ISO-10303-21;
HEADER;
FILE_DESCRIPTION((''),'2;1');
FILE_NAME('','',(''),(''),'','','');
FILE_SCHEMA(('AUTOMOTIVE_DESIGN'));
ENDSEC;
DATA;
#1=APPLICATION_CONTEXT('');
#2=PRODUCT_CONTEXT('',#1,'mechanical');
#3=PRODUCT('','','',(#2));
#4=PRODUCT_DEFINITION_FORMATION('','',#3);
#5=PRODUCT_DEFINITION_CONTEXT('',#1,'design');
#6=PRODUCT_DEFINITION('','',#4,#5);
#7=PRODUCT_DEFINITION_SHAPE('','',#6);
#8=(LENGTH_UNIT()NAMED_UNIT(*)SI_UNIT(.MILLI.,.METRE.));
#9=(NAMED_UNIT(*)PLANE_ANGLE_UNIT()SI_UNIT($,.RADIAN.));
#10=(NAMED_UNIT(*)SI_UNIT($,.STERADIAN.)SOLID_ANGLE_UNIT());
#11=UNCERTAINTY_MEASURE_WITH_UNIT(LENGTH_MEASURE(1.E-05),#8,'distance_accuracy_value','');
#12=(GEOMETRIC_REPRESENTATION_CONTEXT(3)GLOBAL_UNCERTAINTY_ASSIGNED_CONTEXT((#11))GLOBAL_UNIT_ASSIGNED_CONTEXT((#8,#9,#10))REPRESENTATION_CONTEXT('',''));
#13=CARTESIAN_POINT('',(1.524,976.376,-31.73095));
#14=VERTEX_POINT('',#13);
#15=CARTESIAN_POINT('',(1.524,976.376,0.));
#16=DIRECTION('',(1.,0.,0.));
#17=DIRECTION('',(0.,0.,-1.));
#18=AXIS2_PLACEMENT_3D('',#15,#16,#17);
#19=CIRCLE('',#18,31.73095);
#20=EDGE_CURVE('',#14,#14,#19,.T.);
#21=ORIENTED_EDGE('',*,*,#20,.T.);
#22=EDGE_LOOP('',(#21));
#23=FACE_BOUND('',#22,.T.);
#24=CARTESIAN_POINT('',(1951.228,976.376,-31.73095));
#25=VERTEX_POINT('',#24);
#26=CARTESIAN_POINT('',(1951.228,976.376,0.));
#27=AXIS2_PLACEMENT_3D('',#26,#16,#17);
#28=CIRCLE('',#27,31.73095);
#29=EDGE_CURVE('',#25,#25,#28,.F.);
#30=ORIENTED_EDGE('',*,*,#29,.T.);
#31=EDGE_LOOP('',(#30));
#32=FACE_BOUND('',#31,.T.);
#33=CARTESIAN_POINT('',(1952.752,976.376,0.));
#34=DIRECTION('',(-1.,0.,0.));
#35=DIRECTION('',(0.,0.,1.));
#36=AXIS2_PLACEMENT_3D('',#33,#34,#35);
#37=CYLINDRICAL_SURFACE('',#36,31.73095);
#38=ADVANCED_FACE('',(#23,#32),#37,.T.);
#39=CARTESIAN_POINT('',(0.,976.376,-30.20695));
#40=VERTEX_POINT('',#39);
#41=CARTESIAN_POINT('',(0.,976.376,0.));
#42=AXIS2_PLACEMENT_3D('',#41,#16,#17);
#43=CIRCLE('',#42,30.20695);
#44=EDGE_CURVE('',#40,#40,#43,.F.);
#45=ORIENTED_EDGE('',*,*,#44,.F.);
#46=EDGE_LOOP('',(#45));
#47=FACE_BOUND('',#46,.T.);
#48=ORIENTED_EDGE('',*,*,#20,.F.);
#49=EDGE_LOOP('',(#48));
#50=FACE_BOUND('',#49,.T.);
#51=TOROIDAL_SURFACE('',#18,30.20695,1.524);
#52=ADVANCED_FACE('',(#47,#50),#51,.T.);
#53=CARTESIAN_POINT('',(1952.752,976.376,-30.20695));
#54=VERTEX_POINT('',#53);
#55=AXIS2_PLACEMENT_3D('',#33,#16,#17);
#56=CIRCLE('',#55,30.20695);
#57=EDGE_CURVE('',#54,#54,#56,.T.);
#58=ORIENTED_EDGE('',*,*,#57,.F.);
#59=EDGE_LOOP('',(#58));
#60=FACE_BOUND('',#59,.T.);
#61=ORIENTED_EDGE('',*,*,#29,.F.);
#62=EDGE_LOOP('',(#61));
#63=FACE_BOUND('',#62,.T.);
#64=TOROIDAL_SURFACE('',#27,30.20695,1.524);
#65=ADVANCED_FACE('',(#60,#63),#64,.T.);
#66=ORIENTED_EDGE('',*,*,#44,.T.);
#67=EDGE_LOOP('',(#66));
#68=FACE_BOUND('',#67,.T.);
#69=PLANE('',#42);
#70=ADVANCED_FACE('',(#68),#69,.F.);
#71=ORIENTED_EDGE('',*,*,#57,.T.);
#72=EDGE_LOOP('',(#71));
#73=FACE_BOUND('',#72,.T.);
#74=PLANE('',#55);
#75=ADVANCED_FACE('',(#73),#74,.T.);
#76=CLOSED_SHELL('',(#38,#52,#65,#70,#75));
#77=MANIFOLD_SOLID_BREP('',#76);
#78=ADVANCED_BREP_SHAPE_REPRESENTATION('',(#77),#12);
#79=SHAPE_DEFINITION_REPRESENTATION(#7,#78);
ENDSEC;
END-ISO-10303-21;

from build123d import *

# Parameters (mm, degrees)
SKETCH1_R           = 31.73095
BOSS_EXTRUDE1_DEPTH = 1952.752
FILLET1_R           = 1.524


with BuildPart() as part:
    # Sketch1 → Boss-Extrude1 (new body)
    with BuildSketch(Plane.YZ):
        with Locations(Location((976.376, 0, 0), (0, 0, 270))):
            Circle(SKETCH1_R)
    extrude(amount=BOSS_EXTRUDE1_DEPTH)

    # Fillet1
    fillet1_edges = [part.edges().sort_by_distance(p)[0] for p in [
        (0, 976.376, 31.73095),
        (1952.752, 976.376, 31.73095),
    ]]
    fillet(fillet1_edges, radius=FILLET1_R)


solid = part.part
